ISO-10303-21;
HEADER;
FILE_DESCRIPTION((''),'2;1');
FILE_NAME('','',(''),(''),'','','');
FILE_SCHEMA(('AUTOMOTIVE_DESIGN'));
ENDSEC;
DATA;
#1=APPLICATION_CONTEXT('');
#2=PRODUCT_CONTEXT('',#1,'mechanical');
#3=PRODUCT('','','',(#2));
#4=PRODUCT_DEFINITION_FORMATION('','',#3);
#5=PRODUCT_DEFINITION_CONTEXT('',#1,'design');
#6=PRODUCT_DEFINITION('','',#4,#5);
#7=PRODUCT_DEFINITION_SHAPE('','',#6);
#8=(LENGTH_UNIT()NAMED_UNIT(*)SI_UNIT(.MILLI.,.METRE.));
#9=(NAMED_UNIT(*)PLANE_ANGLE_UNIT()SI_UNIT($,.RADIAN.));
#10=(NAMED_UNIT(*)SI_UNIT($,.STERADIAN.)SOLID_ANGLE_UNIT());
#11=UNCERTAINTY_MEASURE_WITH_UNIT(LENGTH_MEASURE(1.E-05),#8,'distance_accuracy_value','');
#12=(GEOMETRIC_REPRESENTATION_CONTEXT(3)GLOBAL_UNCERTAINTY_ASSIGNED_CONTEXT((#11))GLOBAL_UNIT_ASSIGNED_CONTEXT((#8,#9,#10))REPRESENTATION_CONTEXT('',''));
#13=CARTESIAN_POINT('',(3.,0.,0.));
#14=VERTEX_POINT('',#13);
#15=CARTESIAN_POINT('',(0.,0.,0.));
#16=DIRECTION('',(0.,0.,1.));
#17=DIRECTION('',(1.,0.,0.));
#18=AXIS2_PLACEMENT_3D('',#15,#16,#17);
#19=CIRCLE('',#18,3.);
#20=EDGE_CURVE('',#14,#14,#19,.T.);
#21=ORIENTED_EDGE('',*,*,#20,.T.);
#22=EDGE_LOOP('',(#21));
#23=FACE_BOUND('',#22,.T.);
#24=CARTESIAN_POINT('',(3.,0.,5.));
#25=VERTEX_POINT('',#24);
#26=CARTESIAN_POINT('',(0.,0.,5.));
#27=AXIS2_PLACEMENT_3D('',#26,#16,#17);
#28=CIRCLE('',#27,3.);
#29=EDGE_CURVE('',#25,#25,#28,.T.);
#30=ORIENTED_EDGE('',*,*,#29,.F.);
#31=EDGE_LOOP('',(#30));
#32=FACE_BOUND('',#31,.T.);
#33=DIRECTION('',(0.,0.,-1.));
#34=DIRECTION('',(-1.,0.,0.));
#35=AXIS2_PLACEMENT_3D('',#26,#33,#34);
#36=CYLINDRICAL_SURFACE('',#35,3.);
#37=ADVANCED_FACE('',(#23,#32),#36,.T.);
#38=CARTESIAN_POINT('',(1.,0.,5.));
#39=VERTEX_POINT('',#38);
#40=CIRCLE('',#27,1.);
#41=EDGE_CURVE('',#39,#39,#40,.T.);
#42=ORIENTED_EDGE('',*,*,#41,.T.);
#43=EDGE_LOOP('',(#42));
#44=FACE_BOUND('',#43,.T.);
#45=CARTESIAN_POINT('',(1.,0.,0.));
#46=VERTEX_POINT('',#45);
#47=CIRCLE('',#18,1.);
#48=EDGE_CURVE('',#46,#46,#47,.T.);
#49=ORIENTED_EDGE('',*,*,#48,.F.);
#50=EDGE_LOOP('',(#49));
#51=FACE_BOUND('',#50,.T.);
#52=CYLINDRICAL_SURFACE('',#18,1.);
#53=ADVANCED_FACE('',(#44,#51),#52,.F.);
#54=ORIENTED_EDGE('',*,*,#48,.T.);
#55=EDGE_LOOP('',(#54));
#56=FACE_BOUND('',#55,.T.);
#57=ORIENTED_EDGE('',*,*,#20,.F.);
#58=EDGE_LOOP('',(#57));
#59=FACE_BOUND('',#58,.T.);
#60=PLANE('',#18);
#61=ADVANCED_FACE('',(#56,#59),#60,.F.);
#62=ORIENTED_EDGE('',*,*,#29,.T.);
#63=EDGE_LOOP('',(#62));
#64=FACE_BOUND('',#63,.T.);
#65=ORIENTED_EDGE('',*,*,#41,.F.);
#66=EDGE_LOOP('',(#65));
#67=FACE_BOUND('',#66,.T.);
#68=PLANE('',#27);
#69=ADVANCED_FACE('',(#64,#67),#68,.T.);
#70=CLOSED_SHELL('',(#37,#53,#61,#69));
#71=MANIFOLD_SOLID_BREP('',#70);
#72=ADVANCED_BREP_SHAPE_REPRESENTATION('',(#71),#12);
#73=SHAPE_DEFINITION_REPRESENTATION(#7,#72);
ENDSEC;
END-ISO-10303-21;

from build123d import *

# Parameters (mm, degrees)
SKETCH_1_R          = 3
EXTRUDE_1_DEPTH     = 5
SKETCH_2_R          = 1
CUT_EXTRUDE_1_DEPTH = 7.557438524


with BuildPart() as part:
    # 草图1 → 凸台-拉伸1 (new body)
    with BuildSketch(Plane.XY):
        Circle(SKETCH_1_R)
    extrude(amount=EXTRUDE_1_DEPTH)

    # 草图2 → 切除-拉伸1 (cut, through all)
    with BuildSketch(Plane.XY.offset(5)):
        Circle(SKETCH_2_R)
    extrude(amount=-CUT_EXTRUDE_1_DEPTH, mode=Mode.SUBTRACT)


solid = part.part
